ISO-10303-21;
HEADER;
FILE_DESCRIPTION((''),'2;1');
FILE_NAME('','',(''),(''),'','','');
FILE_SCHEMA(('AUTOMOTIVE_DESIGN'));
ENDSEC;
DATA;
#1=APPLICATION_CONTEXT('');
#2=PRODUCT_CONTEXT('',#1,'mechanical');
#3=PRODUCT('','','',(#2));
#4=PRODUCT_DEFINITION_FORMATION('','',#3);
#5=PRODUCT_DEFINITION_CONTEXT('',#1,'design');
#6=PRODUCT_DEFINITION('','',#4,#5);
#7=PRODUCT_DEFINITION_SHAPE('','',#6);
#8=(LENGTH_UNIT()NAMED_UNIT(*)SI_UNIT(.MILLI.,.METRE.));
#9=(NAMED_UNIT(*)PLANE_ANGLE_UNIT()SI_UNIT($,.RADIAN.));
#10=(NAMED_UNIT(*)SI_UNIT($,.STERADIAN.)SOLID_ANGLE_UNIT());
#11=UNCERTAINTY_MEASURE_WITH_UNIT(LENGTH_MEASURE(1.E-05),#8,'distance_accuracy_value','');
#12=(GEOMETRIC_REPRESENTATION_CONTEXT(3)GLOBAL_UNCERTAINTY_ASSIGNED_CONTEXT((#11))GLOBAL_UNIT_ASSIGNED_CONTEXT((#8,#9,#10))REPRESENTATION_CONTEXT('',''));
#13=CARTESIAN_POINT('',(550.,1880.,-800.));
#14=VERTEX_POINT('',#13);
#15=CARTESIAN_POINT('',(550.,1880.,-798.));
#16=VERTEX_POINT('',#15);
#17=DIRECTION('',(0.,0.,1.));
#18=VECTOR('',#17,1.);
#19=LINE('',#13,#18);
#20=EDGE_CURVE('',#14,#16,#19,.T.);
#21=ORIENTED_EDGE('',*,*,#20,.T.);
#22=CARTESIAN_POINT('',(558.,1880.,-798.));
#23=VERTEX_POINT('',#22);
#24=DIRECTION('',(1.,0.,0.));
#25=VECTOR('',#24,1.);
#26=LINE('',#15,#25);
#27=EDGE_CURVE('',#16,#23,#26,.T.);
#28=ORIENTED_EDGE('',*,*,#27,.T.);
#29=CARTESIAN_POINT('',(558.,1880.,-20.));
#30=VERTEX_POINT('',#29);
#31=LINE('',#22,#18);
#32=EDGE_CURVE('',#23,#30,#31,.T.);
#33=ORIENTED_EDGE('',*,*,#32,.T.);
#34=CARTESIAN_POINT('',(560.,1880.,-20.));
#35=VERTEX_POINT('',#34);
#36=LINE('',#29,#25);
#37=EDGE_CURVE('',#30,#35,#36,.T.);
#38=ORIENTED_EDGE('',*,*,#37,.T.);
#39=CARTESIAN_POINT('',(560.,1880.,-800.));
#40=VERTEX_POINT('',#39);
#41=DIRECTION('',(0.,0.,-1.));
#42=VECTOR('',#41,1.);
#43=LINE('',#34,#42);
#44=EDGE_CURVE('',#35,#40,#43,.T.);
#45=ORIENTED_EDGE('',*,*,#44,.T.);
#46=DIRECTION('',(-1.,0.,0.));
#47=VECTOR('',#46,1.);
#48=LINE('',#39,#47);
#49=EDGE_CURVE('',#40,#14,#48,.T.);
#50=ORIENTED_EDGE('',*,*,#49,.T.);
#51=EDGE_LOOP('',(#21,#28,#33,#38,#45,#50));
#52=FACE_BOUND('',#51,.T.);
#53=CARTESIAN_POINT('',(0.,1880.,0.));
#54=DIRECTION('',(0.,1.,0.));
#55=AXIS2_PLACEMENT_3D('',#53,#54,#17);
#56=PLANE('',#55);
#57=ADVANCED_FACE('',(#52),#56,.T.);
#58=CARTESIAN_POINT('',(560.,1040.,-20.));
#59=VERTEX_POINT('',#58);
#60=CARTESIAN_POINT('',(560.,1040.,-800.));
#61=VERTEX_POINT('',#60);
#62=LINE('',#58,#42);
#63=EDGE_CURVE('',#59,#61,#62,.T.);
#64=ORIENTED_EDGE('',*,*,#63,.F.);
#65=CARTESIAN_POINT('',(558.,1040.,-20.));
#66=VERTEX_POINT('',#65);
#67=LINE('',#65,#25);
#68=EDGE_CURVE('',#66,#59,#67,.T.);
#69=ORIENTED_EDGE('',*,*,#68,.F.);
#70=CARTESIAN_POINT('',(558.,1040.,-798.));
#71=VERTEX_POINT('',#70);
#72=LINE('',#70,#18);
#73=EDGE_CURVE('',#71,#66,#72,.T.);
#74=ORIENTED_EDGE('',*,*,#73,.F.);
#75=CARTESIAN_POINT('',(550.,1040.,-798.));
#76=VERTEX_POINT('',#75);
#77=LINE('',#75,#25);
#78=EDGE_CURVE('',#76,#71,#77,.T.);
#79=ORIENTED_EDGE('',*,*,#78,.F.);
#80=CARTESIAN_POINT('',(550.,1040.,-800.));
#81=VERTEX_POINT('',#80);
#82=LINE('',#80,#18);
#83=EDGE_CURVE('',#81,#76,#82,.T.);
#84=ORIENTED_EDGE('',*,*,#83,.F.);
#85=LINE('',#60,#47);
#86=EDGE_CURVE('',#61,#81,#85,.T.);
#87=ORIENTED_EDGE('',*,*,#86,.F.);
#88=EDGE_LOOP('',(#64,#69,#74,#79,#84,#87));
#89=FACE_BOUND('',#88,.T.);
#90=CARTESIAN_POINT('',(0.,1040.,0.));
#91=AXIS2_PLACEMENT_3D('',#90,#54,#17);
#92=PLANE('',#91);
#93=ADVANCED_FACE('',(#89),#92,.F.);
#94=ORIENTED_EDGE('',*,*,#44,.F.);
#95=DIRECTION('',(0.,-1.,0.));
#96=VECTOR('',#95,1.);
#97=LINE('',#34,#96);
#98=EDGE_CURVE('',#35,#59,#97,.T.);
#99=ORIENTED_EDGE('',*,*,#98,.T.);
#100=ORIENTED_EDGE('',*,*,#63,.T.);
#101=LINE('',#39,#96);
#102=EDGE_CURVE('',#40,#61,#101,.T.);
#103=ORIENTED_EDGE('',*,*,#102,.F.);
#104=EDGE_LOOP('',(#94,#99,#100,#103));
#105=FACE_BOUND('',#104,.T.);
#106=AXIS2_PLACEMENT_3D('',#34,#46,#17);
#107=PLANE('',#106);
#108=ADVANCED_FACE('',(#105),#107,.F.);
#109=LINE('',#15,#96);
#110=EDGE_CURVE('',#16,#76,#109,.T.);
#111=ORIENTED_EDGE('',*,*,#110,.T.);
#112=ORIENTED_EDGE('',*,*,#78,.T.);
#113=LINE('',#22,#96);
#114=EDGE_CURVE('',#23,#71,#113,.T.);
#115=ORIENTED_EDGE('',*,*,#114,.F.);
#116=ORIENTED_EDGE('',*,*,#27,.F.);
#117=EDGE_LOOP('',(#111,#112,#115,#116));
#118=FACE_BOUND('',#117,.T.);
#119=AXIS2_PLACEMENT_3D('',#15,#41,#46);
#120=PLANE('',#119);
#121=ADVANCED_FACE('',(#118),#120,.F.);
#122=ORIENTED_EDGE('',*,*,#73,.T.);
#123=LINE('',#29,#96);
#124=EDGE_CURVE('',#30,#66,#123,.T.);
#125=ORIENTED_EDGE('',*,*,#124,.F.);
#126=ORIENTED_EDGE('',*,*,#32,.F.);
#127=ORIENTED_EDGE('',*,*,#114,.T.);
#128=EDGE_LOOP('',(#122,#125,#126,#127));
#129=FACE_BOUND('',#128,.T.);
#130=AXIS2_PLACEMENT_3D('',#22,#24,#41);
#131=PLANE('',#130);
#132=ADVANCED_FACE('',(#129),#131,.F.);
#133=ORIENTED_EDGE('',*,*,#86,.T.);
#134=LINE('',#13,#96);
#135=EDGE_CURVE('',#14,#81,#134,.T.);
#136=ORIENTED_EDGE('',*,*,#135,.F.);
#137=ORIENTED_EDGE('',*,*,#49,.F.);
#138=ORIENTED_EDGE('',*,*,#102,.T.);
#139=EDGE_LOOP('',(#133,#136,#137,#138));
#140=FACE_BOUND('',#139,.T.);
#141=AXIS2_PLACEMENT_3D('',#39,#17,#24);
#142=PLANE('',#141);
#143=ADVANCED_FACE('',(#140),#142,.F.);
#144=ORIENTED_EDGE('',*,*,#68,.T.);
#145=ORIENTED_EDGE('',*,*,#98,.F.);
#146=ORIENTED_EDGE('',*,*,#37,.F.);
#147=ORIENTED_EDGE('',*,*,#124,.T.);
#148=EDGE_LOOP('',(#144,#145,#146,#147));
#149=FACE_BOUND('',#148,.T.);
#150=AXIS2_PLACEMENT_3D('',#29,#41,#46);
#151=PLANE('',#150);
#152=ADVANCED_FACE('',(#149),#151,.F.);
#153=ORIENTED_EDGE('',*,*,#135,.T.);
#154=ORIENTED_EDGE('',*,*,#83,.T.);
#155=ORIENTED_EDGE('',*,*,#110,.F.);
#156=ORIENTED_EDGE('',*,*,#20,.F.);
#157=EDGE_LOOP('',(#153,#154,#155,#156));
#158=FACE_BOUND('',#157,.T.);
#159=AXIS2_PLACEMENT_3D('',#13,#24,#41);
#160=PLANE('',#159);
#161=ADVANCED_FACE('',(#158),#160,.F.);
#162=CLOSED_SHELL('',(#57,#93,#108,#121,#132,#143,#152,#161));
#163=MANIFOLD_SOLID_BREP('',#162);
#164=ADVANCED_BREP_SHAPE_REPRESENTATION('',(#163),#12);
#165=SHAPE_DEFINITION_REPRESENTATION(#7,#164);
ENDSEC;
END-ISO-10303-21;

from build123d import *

# Parameters (mm, degrees)
PACK_SARJOR_L_KILAVUZ_2_1_START = 1040
PACK_SARJOR_L_KILAVUZ_2_1_DEPTH = 840


with BuildPart() as part:
    # Sketch1 → PACK_sarjor_L_kilavuz_2_1 (new body)
    with BuildSketch(Plane(origin=(0, 0, 0), x_dir=(1, 0, 0), z_dir=(0, 1, 0)).offset(PACK_SARJOR_L_KILAVUZ_2_1_START)):
        Polygon((560, 800), (550, 800), (550, 798), (558, 798), (558, 20), (560, 20), align=None)
    extrude(amount=PACK_SARJOR_L_KILAVUZ_2_1_DEPTH)


solid = part.part
